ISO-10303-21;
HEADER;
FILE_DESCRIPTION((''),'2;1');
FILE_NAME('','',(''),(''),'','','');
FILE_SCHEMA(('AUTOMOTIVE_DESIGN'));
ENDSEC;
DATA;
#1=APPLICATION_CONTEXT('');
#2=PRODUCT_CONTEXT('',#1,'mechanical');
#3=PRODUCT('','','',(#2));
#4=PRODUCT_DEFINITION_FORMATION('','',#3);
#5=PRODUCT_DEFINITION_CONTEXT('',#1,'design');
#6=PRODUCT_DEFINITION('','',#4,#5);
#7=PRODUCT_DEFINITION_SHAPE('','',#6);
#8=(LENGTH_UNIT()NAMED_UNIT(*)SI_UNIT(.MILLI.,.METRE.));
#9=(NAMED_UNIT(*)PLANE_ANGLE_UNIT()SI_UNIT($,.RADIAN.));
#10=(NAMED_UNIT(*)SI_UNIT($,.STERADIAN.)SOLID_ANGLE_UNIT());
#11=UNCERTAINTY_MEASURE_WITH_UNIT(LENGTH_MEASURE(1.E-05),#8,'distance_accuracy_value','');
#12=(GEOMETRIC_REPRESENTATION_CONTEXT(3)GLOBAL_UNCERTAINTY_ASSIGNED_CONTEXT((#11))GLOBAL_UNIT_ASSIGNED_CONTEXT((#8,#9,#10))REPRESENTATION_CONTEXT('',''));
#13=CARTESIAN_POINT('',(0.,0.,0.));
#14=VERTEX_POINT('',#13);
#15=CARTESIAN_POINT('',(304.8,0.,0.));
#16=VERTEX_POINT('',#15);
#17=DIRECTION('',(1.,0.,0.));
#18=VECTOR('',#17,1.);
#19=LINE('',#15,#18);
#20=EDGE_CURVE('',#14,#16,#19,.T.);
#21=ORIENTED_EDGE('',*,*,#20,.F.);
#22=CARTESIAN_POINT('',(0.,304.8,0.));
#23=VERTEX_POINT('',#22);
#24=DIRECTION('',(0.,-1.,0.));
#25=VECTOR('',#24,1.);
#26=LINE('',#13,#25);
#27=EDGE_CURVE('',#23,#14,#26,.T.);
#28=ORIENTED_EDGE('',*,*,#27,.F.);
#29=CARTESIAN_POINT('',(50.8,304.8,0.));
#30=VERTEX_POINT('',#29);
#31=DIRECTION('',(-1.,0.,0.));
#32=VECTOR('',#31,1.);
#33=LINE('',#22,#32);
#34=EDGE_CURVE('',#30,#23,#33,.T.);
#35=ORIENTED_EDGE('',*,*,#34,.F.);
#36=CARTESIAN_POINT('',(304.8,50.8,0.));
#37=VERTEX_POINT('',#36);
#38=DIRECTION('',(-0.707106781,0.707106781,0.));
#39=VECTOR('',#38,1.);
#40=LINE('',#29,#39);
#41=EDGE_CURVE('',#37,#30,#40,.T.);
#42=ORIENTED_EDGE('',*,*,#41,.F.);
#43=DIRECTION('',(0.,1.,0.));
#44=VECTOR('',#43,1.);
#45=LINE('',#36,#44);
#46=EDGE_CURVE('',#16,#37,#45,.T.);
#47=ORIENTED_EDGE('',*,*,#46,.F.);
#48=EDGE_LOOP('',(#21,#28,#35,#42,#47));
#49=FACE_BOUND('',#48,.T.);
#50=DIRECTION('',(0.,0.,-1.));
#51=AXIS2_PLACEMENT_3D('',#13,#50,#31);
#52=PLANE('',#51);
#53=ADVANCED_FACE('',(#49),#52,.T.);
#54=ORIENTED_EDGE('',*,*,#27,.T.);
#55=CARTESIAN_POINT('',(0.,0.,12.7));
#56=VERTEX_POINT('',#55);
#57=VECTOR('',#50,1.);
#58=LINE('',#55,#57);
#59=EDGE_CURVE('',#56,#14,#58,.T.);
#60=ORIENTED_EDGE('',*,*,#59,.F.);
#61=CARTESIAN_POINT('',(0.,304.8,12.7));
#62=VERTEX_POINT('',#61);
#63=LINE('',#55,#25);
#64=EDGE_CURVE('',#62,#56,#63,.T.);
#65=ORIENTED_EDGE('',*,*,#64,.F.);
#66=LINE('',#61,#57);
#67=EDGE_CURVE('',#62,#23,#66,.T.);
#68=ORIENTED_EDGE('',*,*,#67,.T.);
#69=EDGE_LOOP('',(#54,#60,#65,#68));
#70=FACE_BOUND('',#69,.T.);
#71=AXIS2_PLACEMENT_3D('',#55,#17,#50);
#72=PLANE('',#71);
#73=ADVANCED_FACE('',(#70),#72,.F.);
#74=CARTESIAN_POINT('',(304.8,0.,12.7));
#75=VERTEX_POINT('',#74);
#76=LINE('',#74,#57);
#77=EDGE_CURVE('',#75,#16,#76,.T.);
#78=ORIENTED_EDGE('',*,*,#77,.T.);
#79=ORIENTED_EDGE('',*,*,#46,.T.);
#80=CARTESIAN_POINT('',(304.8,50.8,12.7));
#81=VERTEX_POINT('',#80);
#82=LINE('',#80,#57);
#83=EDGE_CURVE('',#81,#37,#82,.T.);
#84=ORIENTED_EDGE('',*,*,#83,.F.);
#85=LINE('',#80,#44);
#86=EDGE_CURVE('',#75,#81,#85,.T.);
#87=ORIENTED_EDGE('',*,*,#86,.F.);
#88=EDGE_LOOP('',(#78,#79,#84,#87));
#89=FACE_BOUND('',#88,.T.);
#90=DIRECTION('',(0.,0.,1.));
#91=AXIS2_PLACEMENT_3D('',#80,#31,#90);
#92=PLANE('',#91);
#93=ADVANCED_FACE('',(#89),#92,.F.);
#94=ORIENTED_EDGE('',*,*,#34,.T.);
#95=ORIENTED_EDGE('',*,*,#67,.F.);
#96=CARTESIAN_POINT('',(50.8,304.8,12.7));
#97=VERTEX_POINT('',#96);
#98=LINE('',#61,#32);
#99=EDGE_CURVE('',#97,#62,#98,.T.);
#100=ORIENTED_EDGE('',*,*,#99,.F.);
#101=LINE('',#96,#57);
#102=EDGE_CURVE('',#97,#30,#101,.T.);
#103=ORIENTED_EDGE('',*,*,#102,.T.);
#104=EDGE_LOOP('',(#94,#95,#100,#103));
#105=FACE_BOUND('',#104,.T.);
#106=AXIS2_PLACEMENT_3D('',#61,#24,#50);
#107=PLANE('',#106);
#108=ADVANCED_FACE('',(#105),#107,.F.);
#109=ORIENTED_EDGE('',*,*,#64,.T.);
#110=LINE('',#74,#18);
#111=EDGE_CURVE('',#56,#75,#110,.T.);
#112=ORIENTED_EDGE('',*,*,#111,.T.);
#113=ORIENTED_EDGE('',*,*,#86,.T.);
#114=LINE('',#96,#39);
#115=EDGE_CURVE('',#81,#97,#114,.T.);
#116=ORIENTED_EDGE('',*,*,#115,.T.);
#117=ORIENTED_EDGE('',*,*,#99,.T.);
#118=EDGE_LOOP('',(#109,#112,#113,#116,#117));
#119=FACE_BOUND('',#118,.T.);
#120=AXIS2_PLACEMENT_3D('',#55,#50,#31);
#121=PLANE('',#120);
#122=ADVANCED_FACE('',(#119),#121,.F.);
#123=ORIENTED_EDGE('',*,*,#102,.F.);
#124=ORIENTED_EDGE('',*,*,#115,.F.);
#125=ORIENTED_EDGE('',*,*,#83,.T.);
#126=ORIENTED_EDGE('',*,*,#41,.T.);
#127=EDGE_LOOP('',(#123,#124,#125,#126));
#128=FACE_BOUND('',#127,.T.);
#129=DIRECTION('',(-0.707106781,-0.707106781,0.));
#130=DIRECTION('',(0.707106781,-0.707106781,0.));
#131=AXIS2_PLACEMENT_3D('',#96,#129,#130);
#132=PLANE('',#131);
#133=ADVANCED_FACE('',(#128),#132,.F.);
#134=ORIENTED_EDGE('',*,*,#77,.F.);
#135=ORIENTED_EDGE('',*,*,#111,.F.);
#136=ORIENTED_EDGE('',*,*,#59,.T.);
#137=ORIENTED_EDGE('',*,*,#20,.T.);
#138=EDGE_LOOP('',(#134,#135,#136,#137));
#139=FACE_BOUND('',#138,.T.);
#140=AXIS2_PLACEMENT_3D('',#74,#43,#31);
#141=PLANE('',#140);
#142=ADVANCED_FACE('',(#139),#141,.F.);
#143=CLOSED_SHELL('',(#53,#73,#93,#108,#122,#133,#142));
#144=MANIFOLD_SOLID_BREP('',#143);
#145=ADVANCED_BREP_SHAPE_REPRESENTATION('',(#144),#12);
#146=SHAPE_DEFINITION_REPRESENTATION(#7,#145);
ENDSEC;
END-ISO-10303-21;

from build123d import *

# Parameters (mm, degrees)
BOSS_EXTRUDE1_DEPTH = 12.7


with BuildPart() as part:
    # Sketch1 → Boss-Extrude1 (new body)
    with BuildSketch(Plane.XY):
        Polygon((0, 0), (0, 304.8), (50.8, 304.8), (304.8, 50.8), (304.8, 0), align=None)
    extrude(amount=BOSS_EXTRUDE1_DEPTH)


solid = part.part
